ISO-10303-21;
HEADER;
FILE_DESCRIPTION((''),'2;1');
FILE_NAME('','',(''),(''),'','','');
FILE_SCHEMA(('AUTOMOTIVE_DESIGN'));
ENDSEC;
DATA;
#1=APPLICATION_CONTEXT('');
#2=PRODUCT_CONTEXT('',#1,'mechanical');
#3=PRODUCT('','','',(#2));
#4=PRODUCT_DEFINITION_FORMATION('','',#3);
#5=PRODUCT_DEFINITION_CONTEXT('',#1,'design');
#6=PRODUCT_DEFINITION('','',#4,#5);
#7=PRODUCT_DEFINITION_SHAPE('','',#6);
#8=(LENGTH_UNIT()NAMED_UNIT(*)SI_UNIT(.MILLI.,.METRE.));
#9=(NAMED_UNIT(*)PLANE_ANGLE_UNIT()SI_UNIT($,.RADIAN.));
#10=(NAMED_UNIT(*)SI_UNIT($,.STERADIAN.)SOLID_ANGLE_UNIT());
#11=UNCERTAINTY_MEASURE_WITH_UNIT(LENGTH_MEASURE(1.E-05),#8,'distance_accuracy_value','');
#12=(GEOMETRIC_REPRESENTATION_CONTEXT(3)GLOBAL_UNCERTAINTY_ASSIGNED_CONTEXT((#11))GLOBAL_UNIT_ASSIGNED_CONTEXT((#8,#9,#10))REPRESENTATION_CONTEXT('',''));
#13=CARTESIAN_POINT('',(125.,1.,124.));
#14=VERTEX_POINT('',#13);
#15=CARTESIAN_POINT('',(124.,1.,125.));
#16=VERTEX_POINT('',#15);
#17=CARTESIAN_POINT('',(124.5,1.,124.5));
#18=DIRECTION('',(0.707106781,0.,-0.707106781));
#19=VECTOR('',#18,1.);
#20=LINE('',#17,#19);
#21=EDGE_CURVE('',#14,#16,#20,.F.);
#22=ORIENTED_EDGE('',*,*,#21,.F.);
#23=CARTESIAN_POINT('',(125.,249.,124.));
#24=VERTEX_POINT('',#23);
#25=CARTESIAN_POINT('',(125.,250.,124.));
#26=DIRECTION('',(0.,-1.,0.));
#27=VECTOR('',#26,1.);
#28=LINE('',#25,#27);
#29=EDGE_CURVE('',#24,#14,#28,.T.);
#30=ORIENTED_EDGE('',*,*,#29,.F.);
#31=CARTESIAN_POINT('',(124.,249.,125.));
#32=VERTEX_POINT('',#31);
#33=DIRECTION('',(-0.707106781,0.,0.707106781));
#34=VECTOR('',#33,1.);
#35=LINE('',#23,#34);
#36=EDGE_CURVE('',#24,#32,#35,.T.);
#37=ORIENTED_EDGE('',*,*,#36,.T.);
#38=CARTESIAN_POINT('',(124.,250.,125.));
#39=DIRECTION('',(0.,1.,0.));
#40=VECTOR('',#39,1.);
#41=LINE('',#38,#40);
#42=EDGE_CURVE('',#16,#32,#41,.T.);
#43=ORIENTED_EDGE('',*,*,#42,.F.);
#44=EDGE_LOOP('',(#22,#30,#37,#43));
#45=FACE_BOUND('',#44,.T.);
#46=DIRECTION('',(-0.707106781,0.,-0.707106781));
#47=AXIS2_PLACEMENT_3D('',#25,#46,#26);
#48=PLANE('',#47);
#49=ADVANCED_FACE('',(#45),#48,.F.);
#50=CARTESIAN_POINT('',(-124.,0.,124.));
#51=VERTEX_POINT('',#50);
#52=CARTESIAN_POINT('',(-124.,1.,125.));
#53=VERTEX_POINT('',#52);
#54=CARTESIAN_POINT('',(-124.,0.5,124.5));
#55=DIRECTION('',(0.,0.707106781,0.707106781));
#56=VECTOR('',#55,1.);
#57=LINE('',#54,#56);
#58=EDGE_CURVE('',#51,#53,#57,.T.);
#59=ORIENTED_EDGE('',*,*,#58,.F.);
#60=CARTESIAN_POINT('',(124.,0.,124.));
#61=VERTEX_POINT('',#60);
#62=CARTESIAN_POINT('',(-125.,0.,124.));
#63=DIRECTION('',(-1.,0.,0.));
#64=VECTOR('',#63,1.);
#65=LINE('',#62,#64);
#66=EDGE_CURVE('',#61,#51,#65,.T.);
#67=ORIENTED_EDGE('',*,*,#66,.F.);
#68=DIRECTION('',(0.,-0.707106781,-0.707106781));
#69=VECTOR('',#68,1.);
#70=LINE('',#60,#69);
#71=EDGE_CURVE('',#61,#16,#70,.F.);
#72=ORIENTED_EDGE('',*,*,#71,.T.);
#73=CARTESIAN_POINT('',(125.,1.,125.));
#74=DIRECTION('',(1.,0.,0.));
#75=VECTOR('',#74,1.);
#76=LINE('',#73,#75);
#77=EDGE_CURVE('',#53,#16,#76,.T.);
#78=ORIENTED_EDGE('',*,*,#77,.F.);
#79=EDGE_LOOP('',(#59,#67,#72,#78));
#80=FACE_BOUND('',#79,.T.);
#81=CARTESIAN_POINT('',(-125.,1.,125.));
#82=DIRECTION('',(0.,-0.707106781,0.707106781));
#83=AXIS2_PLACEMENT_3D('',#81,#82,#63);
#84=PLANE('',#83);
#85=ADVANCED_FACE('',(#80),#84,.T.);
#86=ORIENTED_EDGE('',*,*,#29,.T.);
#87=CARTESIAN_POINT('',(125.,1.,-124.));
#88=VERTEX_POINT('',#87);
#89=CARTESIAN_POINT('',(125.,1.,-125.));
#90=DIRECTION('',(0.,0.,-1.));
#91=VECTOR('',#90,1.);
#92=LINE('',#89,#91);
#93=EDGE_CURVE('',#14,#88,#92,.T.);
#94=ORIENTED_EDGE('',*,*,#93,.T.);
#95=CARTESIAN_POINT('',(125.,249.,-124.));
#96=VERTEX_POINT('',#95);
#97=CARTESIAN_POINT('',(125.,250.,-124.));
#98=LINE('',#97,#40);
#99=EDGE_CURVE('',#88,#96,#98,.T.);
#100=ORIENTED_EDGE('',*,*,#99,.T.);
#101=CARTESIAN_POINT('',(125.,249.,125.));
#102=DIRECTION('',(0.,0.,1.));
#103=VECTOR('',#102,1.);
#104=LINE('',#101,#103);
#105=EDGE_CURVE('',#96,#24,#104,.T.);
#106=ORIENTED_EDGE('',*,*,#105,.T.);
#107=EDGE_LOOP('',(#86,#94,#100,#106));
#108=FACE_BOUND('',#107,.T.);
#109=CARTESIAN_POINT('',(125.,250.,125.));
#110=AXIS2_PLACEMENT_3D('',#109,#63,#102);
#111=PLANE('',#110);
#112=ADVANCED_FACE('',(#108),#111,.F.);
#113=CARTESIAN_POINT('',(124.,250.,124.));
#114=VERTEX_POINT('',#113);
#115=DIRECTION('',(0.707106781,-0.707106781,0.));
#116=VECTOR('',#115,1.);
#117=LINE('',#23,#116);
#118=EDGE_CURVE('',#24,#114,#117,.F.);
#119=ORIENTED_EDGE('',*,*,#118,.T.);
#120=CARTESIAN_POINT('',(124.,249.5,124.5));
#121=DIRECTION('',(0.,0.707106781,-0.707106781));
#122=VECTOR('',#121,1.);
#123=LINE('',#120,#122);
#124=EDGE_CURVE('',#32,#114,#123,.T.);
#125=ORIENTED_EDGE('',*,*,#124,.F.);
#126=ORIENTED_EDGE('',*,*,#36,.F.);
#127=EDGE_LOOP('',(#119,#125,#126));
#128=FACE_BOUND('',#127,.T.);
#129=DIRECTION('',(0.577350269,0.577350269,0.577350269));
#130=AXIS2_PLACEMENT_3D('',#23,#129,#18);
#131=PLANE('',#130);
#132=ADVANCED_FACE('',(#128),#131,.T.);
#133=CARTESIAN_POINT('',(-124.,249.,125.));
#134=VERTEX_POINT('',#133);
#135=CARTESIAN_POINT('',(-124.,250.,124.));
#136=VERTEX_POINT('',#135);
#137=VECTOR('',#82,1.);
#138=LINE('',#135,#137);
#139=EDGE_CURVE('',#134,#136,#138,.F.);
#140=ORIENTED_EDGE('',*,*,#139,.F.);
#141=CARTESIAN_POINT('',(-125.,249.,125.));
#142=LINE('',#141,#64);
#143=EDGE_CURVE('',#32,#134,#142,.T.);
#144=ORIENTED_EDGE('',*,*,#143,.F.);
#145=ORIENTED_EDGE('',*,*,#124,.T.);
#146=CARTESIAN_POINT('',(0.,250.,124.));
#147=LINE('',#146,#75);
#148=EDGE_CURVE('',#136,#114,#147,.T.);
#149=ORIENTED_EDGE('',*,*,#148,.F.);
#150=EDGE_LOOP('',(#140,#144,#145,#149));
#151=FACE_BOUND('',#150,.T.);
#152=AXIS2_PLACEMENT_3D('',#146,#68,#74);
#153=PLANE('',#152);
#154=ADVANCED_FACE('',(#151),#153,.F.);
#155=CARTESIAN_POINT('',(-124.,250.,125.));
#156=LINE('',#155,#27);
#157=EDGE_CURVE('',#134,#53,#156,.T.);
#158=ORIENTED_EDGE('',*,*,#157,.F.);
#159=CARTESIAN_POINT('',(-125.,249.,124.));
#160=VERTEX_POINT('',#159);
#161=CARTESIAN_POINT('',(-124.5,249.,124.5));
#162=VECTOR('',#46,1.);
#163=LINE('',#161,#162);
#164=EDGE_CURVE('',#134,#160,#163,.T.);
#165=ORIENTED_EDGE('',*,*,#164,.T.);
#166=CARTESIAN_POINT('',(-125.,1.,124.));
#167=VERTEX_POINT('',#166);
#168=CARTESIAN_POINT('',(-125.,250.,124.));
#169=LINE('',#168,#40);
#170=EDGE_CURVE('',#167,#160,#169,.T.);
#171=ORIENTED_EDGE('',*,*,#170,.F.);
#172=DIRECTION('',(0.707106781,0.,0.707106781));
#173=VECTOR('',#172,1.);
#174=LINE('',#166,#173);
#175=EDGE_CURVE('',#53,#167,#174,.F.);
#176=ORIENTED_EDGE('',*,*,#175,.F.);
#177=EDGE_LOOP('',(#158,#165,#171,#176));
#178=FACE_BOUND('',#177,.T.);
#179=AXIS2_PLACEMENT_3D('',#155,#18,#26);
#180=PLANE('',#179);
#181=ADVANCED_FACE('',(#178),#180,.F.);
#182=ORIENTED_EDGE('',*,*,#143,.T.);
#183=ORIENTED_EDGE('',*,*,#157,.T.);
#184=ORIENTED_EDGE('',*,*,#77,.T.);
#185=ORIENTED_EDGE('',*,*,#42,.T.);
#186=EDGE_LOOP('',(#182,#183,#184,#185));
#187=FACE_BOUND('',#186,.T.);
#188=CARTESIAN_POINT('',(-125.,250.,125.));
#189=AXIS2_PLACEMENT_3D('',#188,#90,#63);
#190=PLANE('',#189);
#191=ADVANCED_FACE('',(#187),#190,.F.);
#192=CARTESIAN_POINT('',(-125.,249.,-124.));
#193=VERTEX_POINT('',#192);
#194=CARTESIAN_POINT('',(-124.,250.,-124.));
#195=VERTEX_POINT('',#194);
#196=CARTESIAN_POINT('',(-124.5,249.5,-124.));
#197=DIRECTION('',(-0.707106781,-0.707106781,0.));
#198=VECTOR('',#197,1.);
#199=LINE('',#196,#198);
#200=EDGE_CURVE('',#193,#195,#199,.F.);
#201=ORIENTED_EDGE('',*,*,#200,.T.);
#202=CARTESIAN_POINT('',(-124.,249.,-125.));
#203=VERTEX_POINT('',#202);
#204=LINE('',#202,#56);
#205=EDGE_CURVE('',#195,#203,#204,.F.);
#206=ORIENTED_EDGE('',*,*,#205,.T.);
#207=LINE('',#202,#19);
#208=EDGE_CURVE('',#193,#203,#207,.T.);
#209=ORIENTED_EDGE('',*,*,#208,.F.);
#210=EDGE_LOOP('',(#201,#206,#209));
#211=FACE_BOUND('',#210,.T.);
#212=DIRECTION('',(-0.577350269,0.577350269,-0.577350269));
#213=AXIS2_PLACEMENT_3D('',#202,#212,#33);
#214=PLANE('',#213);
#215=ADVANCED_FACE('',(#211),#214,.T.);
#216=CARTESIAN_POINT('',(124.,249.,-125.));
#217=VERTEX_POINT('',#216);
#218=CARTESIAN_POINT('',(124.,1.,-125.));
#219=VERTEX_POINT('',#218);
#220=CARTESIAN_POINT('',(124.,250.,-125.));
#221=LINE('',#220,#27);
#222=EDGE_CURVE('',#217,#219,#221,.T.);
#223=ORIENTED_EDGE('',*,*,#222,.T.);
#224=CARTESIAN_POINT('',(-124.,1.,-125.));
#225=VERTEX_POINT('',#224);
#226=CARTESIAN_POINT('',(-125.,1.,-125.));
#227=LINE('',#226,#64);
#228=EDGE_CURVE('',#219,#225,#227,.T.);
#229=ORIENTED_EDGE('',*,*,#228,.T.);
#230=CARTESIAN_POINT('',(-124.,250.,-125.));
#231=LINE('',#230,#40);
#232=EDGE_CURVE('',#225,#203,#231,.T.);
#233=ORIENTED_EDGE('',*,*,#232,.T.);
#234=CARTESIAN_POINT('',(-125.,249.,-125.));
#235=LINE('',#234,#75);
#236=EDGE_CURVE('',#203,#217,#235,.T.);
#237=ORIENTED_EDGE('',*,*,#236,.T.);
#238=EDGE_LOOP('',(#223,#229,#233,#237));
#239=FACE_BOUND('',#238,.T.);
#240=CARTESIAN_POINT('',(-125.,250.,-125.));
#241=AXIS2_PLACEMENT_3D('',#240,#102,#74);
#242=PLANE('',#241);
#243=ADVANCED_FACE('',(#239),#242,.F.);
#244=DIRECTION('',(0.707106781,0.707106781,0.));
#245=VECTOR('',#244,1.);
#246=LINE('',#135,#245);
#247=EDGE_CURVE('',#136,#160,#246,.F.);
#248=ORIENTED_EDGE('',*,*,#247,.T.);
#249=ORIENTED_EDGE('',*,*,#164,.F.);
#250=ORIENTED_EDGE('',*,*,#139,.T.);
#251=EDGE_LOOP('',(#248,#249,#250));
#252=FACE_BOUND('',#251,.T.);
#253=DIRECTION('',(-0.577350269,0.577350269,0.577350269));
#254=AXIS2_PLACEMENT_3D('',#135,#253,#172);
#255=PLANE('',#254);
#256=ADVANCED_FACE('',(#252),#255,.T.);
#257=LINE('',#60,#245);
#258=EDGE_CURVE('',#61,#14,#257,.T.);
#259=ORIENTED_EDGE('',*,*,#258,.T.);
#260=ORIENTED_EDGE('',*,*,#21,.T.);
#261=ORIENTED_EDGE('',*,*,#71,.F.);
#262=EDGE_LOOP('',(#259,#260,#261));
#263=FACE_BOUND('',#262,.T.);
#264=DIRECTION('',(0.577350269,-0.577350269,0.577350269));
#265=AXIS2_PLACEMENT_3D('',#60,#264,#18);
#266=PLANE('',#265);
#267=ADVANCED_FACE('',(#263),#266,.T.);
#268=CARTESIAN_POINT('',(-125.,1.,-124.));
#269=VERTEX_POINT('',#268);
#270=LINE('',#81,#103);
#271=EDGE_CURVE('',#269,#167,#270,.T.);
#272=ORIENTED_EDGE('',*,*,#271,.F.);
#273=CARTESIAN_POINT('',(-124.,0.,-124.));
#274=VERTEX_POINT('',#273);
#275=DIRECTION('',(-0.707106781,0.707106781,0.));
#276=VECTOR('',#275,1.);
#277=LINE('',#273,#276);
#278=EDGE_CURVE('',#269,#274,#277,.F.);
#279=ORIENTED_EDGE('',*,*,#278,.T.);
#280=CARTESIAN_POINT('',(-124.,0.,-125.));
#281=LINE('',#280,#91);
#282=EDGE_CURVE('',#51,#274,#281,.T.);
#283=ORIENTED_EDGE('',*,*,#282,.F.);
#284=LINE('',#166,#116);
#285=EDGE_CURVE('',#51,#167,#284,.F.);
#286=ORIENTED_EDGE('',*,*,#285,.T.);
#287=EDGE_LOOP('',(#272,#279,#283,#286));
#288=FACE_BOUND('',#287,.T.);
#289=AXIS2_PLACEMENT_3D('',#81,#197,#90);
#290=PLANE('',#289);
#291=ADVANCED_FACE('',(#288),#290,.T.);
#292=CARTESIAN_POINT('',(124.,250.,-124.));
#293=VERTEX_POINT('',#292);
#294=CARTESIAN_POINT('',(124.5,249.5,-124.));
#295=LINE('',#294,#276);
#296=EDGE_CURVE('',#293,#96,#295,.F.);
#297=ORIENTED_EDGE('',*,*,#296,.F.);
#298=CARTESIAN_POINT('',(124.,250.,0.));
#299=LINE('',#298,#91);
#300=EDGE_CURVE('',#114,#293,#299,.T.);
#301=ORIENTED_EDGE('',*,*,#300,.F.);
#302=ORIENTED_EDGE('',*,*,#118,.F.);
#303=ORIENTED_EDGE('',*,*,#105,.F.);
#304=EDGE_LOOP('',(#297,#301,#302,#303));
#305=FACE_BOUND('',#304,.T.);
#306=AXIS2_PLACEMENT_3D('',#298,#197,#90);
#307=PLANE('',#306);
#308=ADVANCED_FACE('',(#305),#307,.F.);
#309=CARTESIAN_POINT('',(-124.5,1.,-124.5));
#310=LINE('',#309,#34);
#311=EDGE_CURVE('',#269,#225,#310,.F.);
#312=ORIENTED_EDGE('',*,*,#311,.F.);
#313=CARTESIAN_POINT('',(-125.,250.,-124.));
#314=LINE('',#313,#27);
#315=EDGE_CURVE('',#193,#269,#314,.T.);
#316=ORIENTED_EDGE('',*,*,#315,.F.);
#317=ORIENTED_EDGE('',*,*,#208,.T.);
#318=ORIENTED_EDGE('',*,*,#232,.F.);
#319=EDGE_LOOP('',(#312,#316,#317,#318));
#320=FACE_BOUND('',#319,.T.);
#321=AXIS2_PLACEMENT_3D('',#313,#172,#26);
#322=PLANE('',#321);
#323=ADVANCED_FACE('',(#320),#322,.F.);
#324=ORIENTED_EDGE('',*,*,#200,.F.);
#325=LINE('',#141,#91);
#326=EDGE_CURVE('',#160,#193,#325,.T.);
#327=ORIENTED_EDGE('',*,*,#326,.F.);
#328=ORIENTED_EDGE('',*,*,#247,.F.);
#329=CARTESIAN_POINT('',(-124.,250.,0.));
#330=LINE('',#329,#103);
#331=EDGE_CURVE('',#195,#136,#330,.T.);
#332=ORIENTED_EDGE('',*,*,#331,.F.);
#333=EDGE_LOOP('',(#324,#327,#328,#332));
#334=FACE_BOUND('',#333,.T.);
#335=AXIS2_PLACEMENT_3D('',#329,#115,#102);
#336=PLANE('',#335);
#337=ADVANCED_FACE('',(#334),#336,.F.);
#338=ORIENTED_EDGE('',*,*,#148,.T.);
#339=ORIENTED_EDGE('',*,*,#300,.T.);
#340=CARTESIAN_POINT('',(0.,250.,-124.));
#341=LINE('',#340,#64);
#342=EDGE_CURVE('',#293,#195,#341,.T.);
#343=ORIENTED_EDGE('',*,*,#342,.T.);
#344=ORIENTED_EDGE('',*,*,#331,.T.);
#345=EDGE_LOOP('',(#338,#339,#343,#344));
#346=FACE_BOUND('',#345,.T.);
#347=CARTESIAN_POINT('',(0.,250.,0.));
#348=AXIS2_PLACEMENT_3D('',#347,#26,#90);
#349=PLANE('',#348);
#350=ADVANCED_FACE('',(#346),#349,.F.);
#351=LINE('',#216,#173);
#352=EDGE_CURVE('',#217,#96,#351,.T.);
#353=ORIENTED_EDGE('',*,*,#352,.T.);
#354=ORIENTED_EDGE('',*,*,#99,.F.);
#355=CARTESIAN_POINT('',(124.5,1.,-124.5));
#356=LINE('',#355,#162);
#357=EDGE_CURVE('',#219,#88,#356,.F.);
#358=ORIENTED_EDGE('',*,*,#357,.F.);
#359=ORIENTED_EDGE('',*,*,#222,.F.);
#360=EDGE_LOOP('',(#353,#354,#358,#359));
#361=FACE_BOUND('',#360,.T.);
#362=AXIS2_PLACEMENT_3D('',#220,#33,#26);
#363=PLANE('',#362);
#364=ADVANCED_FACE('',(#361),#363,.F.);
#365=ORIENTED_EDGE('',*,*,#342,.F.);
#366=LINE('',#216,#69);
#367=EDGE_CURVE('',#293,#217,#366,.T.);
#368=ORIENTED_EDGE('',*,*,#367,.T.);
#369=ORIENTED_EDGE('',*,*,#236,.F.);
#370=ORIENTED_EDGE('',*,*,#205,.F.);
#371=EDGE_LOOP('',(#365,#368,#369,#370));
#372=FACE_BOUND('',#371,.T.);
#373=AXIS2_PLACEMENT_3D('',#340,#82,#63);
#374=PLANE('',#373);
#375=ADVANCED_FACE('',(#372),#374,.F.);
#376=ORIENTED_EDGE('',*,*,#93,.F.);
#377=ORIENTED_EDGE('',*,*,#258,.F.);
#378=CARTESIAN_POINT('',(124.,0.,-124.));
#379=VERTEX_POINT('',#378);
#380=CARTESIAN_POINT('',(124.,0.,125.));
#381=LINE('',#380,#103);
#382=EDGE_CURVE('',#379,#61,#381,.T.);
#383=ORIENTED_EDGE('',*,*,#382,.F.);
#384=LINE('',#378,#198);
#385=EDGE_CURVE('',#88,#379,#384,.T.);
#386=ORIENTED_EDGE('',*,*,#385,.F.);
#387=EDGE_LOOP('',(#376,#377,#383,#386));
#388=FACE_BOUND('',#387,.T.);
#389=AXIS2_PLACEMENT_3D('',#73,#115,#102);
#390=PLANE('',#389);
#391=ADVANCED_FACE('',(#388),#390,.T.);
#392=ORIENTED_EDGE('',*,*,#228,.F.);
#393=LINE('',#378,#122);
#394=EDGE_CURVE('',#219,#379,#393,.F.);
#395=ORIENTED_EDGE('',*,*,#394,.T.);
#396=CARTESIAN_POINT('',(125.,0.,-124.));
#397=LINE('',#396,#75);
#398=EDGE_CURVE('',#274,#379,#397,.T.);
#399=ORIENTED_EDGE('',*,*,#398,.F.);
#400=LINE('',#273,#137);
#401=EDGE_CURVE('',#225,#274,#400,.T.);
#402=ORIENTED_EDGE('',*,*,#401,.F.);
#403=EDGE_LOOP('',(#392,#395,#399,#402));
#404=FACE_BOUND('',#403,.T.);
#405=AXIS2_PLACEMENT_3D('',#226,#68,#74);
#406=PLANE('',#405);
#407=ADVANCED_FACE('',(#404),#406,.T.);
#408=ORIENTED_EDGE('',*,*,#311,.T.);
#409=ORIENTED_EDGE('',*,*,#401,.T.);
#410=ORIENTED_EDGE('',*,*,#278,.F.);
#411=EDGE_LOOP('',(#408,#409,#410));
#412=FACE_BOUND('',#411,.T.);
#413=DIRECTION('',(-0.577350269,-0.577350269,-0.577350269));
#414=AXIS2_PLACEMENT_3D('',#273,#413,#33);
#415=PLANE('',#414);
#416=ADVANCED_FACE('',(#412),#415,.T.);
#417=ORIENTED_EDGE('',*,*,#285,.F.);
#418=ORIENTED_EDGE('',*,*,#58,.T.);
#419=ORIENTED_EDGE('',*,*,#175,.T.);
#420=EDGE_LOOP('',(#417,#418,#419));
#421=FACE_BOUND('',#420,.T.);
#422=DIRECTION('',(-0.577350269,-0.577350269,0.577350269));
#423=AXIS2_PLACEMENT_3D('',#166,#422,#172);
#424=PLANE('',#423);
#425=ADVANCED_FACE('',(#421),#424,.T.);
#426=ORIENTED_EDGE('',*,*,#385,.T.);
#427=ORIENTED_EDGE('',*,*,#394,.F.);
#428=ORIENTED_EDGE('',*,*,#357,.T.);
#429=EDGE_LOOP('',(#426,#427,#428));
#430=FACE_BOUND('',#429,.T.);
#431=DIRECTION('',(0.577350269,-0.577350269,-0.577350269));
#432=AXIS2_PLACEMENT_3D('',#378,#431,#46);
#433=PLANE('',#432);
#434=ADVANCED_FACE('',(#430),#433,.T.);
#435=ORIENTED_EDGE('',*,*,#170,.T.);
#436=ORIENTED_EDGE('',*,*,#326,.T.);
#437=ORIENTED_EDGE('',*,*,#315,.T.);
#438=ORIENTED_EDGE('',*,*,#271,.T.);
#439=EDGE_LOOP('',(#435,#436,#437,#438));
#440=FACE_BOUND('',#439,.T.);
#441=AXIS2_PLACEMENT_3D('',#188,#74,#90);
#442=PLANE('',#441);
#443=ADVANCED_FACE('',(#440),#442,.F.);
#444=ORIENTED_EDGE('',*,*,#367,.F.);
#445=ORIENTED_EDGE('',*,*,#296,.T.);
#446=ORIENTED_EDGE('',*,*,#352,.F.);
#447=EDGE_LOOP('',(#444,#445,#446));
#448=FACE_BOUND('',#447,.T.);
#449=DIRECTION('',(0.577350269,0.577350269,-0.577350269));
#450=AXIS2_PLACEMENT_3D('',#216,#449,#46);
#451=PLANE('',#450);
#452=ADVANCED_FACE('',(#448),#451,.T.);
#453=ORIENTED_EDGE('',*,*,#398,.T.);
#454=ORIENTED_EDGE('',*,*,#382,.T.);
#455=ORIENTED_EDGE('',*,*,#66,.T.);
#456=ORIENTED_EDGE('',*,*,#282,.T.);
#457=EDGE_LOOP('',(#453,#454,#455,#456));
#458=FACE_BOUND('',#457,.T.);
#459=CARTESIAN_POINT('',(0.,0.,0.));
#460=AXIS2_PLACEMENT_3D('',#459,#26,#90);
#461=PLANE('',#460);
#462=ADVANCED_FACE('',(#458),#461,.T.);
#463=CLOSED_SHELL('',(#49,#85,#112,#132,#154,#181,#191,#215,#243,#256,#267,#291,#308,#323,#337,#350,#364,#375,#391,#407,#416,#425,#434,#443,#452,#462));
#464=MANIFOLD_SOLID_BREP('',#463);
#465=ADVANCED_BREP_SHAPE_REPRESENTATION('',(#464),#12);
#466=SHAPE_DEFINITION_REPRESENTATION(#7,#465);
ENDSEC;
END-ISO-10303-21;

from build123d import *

# Parameters (mm, degrees)
SKETCH_1_W      = 250
SKETCH_1_H      = 250
EXTRUDE_1_DEPTH = 250
CHAMFER_1_SIZE  = 1


with BuildPart() as part:
    # 草图1 → 凸台-拉伸1 (new body)
    with BuildSketch(Plane(origin=(0, 0, 0), x_dir=(1, 0, 0), z_dir=(0, 1, 0))):
        Rectangle(SKETCH_1_W, SKETCH_1_H)
    extrude(amount=EXTRUDE_1_DEPTH)

    # 倒角1
    chamfer_1_edges = [part.edges().sort_by_distance(p)[0] for p in [
        (-125, 250, 0),
        (0, 250, 125),
        (125, 250, 0),
        (0, 0, 125),
        (-125, 0, 0),
        (0, 0, -125),
        (125, 0, 0),
        (125, 125, 125),
        (-125, 125, 125),
        (-125, 125, -125),
        (125, 125, -125),
        (0, 250, -125),
    ]]
    chamfer(chamfer_1_edges, length=CHAMFER_1_SIZE)


solid = part.part
